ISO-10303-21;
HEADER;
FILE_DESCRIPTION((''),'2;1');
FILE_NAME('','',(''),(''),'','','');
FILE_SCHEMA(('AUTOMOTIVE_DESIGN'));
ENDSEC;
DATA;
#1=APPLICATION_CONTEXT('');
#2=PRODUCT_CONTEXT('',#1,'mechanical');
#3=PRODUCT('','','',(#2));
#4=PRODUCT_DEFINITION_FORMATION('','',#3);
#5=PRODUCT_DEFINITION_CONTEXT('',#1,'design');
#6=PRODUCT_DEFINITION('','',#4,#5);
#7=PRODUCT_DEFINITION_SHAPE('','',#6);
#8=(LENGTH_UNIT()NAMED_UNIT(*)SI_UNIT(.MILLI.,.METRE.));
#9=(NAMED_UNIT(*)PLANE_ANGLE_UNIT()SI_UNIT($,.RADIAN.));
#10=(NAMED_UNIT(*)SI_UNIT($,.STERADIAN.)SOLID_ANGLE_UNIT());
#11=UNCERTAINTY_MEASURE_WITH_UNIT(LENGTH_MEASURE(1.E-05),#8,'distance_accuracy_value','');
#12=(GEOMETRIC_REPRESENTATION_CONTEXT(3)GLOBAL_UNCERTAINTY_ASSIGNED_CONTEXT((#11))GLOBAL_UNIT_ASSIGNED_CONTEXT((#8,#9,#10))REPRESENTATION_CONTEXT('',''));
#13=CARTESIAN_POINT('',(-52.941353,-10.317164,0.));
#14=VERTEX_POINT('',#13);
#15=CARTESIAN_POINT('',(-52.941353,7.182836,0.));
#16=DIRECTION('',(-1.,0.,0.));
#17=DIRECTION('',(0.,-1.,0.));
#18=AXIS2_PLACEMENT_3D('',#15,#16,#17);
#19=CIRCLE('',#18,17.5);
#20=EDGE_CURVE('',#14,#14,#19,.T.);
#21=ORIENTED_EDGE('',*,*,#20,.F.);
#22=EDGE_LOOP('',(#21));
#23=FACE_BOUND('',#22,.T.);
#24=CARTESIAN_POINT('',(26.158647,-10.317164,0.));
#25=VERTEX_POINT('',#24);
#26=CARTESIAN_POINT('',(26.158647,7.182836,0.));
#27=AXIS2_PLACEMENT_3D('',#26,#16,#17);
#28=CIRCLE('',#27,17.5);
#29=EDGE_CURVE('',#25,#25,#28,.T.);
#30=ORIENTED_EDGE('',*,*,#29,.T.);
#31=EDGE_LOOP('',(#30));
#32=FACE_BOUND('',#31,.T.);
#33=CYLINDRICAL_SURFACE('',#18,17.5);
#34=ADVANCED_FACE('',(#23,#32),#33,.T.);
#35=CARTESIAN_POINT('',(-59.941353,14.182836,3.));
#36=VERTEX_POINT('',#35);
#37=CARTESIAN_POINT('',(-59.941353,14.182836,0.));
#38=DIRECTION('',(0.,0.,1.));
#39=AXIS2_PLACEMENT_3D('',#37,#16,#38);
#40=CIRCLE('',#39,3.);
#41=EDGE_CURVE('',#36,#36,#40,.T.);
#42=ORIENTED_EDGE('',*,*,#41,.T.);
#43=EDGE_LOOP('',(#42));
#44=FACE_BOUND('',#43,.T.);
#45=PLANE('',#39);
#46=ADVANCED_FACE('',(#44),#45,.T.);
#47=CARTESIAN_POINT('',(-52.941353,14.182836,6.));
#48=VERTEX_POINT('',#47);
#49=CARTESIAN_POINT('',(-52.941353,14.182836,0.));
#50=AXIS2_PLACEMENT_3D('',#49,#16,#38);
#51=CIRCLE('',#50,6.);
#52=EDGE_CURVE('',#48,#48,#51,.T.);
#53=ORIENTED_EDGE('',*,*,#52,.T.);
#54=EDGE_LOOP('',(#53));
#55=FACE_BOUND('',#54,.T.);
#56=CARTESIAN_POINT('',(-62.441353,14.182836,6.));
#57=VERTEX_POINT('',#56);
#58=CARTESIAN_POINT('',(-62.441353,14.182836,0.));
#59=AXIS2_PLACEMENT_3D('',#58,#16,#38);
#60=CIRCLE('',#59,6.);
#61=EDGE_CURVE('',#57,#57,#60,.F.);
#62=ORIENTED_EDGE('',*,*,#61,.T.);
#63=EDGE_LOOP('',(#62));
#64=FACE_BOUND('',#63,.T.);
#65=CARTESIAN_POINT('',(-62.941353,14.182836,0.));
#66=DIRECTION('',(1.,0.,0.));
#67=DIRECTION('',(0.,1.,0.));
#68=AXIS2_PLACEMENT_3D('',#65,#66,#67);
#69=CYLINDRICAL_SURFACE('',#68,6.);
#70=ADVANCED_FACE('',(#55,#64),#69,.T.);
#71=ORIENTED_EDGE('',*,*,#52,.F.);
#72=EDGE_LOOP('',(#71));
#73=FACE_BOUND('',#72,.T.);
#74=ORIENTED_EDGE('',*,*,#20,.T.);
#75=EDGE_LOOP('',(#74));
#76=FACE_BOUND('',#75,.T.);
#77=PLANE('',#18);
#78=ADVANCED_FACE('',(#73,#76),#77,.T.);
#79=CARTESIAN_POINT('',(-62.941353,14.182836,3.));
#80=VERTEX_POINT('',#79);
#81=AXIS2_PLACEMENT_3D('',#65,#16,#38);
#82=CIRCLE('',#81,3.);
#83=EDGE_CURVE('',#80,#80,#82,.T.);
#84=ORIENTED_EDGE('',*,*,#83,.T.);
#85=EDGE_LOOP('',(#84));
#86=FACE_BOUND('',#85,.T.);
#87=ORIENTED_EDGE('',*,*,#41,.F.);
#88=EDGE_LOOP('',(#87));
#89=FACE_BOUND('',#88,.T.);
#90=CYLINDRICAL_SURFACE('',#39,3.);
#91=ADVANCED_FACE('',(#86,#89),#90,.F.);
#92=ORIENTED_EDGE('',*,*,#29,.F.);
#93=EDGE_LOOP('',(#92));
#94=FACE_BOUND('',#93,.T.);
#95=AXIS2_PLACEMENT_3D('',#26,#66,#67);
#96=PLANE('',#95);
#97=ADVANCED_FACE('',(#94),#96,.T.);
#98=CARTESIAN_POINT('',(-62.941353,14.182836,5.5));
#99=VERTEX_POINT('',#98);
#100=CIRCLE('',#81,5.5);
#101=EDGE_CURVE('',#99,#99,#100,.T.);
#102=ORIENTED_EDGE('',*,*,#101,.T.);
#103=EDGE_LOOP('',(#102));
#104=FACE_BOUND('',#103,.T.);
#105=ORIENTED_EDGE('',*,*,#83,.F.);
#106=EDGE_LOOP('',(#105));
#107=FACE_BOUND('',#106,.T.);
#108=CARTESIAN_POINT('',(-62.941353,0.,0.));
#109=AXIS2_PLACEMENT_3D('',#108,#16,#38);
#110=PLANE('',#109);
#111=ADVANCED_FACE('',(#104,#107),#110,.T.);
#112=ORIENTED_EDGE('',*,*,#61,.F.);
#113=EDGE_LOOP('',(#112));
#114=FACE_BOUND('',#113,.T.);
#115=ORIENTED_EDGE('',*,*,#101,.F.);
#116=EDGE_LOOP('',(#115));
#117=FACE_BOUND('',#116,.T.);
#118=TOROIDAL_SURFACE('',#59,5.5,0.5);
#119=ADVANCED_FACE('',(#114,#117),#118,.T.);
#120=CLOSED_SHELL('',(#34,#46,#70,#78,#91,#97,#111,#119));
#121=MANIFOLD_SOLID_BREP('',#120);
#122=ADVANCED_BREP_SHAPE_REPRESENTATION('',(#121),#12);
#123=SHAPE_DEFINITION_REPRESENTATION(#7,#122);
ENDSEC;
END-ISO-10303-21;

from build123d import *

# Parameters (mm, degrees)
SKETCH1_W           = 79.1
SKETCH1_H           = 17.5
SKETCH2_R           = 6
BOSS_EXTRUDE1_DEPTH = 10
FILLET2_R           = 0.5
SKETCH3_R           = 3
CUT_EXTRUDE3_DEPTH  = 3


with BuildPart() as part:
    # Sketch1 → Revolve1 (revolve)
    with BuildSketch(Plane.XY):
        with Locations((-13.391352503, -1.567164179)):
            Rectangle(SKETCH1_W, SKETCH1_H)
    revolve(axis=Axis((-52.941352503, 7.182835821, 0), (1, 0, 0)))

    # Sketch2 → Boss-Extrude1 (add)
    with BuildSketch(Plane.ZY.offset(52.941352503)):
        with Locations((0, 14.182835821)):
            Circle(SKETCH2_R)
    extrude(amount=BOSS_EXTRUDE1_DEPTH)

    # Fillet2
    fillet2_edges = [part.edges().sort_by_distance(p)[0] for p in [
        (-62.941352503, 14.182835821, -6),
    ]]
    fillet(fillet2_edges, radius=FILLET2_R)

    # Sketch3 → Cut-Extrude3 (cut)
    with BuildSketch(Plane.ZY.offset(62.941352503)):
        with Locations((0, 14.182835821)):
            Circle(SKETCH3_R)
    extrude(amount=-CUT_EXTRUDE3_DEPTH, mode=Mode.SUBTRACT)


solid = part.part
